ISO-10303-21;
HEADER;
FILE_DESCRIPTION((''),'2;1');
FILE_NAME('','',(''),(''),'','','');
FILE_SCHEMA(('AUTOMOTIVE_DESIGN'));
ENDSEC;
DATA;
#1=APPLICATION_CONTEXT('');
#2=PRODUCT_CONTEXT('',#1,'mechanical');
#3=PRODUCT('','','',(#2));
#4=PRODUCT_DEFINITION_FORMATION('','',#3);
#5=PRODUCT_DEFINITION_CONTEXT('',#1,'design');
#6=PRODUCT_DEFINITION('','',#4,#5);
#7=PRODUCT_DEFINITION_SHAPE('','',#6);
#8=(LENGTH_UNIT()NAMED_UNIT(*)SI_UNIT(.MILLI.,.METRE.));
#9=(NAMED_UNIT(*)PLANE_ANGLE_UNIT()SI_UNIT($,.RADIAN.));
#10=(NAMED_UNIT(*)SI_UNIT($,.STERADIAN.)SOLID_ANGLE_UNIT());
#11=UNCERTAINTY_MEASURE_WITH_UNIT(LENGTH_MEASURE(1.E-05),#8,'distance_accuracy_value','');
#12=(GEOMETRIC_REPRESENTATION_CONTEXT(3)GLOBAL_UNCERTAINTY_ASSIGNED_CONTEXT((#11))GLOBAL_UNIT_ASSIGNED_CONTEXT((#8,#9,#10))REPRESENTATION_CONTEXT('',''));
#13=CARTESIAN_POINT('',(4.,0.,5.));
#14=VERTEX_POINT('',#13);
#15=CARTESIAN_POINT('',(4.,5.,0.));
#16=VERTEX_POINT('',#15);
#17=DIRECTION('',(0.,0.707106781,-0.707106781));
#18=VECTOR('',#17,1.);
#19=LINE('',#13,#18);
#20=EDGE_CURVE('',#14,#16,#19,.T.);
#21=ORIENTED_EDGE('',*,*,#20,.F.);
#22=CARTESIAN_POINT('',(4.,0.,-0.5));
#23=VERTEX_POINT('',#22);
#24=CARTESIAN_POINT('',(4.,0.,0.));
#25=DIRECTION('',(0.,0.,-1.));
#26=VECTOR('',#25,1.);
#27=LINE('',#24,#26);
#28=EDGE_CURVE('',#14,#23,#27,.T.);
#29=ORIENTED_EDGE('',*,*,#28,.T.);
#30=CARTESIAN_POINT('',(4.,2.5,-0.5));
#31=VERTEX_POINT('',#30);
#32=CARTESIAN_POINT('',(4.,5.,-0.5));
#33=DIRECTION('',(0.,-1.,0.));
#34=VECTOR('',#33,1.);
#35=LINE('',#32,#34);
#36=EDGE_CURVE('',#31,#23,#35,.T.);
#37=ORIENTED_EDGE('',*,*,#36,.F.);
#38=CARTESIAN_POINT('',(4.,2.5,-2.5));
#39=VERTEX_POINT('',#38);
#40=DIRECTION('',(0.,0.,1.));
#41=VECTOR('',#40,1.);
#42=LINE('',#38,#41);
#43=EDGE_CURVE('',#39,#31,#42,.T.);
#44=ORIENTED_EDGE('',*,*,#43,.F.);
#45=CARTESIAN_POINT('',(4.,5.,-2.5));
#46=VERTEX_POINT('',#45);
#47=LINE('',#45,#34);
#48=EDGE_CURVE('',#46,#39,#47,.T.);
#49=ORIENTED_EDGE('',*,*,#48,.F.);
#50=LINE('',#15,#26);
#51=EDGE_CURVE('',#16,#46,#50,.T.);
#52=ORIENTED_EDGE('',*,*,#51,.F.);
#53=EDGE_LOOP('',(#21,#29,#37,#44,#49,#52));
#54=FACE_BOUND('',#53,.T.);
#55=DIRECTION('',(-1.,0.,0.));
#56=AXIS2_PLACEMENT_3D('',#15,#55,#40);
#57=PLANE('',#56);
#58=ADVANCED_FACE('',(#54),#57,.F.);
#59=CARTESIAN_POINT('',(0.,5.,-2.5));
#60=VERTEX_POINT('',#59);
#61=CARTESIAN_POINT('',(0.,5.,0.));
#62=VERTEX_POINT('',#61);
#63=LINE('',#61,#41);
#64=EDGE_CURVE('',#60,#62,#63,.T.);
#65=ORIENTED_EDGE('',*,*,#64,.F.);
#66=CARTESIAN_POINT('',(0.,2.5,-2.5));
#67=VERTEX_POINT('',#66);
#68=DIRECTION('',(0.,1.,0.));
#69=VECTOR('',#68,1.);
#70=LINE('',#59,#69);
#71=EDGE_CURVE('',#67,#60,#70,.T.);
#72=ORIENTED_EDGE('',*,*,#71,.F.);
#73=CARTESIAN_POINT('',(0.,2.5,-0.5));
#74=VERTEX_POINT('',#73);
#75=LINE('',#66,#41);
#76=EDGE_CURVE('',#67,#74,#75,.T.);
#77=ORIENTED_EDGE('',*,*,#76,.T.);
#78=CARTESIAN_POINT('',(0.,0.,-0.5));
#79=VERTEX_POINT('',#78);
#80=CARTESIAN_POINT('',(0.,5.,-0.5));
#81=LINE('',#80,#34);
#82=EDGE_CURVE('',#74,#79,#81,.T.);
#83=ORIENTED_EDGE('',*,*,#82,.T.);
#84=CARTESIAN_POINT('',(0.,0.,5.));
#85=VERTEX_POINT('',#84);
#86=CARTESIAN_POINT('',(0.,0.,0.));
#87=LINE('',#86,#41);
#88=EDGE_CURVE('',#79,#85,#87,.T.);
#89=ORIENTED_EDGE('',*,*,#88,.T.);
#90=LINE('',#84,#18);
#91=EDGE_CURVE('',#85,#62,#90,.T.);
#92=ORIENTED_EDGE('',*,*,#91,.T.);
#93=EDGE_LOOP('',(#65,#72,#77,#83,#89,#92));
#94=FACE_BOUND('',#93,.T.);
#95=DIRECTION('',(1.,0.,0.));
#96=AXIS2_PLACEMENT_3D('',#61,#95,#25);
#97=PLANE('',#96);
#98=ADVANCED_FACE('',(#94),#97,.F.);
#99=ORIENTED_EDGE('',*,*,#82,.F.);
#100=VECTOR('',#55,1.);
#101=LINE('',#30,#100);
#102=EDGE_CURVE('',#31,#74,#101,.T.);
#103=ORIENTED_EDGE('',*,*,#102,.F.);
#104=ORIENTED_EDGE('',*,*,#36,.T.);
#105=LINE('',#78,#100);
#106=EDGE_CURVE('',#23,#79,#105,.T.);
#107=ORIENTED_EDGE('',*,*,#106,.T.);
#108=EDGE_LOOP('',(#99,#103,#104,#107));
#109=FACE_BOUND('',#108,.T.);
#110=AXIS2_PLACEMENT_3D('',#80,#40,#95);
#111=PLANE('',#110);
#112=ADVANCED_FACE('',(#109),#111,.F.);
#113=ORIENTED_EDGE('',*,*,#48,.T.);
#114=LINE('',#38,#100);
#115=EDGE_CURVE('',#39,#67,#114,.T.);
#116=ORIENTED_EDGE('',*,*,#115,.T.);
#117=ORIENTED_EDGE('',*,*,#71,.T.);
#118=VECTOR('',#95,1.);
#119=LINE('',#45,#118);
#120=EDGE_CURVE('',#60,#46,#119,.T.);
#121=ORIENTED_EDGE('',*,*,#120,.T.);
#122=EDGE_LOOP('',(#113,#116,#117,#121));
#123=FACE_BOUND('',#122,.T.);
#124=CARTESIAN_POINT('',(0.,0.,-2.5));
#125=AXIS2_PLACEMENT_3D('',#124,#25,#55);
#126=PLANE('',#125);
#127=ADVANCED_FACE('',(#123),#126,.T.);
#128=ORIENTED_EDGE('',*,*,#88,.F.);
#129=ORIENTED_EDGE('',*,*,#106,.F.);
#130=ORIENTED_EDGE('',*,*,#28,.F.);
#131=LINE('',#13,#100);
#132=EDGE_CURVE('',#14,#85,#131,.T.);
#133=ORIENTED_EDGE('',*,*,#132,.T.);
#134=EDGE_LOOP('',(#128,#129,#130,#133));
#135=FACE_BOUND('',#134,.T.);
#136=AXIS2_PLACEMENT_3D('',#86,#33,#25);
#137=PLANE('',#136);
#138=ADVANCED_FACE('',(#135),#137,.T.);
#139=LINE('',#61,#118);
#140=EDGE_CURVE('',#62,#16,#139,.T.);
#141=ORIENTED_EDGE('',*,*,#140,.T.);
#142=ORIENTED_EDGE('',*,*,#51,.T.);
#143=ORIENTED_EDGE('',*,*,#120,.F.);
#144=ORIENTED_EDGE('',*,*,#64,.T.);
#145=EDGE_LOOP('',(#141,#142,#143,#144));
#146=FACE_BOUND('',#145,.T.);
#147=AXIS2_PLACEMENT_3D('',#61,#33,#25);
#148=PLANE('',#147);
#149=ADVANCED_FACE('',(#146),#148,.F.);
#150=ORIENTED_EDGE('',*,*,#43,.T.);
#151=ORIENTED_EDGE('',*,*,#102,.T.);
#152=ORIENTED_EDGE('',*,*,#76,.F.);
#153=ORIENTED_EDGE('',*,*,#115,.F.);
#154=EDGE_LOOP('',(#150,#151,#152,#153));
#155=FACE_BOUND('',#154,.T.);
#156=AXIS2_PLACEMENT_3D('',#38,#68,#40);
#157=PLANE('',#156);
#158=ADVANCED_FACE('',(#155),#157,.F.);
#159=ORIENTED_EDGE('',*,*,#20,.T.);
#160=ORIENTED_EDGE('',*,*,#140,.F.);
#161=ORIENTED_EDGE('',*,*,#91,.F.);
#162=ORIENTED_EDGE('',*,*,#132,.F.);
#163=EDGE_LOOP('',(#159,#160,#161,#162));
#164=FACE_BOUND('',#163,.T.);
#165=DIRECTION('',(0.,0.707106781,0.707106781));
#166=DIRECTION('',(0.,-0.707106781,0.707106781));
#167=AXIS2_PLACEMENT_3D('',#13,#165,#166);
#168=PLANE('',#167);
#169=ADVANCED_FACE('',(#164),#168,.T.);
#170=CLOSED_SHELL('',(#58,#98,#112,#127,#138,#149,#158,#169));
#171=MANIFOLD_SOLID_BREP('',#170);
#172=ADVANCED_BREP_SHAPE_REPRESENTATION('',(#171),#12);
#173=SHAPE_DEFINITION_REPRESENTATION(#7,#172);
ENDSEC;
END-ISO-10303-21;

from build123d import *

# Parameters (mm, degrees)
SKETCH1_W           = 4
SKETCH1_H           = 0.5
BOSS_EXTRUDE1_DEPTH = 5
SKETCH2_W           = 4
SKETCH2_H           = 2.5
BOSS_EXTRUDE2_DEPTH = 2
BOSS_EXTRUDE4_DEPTH = 4


with BuildPart() as part:
    # Sketch1 → Boss-Extrude1 (new body)
    with BuildSketch(Plane(origin=(0, 0, 0), x_dir=(1, 0, 0), z_dir=(0, 1, 0))):
        with Locations((2, 0.25)):
            Rectangle(SKETCH1_W, SKETCH1_H)
    extrude(amount=BOSS_EXTRUDE1_DEPTH)

    # Sketch2 → Boss-Extrude2 (add)
    with BuildSketch(Plane(origin=(0, 0, -0.5), x_dir=(-1, 0, 0), z_dir=(0, 0, -1))):
        with Locations((-2, 3.75)):
            Rectangle(SKETCH2_W, SKETCH2_H)
    extrude(amount=BOSS_EXTRUDE2_DEPTH)

    # Sketch4 → Boss-Extrude4 (add)
    with BuildSketch(Plane.ZY):
        Polygon((0, 5), (0, 0), (5, 0), align=None)
    extrude(amount=-BOSS_EXTRUDE4_DEPTH)


solid = part.part
